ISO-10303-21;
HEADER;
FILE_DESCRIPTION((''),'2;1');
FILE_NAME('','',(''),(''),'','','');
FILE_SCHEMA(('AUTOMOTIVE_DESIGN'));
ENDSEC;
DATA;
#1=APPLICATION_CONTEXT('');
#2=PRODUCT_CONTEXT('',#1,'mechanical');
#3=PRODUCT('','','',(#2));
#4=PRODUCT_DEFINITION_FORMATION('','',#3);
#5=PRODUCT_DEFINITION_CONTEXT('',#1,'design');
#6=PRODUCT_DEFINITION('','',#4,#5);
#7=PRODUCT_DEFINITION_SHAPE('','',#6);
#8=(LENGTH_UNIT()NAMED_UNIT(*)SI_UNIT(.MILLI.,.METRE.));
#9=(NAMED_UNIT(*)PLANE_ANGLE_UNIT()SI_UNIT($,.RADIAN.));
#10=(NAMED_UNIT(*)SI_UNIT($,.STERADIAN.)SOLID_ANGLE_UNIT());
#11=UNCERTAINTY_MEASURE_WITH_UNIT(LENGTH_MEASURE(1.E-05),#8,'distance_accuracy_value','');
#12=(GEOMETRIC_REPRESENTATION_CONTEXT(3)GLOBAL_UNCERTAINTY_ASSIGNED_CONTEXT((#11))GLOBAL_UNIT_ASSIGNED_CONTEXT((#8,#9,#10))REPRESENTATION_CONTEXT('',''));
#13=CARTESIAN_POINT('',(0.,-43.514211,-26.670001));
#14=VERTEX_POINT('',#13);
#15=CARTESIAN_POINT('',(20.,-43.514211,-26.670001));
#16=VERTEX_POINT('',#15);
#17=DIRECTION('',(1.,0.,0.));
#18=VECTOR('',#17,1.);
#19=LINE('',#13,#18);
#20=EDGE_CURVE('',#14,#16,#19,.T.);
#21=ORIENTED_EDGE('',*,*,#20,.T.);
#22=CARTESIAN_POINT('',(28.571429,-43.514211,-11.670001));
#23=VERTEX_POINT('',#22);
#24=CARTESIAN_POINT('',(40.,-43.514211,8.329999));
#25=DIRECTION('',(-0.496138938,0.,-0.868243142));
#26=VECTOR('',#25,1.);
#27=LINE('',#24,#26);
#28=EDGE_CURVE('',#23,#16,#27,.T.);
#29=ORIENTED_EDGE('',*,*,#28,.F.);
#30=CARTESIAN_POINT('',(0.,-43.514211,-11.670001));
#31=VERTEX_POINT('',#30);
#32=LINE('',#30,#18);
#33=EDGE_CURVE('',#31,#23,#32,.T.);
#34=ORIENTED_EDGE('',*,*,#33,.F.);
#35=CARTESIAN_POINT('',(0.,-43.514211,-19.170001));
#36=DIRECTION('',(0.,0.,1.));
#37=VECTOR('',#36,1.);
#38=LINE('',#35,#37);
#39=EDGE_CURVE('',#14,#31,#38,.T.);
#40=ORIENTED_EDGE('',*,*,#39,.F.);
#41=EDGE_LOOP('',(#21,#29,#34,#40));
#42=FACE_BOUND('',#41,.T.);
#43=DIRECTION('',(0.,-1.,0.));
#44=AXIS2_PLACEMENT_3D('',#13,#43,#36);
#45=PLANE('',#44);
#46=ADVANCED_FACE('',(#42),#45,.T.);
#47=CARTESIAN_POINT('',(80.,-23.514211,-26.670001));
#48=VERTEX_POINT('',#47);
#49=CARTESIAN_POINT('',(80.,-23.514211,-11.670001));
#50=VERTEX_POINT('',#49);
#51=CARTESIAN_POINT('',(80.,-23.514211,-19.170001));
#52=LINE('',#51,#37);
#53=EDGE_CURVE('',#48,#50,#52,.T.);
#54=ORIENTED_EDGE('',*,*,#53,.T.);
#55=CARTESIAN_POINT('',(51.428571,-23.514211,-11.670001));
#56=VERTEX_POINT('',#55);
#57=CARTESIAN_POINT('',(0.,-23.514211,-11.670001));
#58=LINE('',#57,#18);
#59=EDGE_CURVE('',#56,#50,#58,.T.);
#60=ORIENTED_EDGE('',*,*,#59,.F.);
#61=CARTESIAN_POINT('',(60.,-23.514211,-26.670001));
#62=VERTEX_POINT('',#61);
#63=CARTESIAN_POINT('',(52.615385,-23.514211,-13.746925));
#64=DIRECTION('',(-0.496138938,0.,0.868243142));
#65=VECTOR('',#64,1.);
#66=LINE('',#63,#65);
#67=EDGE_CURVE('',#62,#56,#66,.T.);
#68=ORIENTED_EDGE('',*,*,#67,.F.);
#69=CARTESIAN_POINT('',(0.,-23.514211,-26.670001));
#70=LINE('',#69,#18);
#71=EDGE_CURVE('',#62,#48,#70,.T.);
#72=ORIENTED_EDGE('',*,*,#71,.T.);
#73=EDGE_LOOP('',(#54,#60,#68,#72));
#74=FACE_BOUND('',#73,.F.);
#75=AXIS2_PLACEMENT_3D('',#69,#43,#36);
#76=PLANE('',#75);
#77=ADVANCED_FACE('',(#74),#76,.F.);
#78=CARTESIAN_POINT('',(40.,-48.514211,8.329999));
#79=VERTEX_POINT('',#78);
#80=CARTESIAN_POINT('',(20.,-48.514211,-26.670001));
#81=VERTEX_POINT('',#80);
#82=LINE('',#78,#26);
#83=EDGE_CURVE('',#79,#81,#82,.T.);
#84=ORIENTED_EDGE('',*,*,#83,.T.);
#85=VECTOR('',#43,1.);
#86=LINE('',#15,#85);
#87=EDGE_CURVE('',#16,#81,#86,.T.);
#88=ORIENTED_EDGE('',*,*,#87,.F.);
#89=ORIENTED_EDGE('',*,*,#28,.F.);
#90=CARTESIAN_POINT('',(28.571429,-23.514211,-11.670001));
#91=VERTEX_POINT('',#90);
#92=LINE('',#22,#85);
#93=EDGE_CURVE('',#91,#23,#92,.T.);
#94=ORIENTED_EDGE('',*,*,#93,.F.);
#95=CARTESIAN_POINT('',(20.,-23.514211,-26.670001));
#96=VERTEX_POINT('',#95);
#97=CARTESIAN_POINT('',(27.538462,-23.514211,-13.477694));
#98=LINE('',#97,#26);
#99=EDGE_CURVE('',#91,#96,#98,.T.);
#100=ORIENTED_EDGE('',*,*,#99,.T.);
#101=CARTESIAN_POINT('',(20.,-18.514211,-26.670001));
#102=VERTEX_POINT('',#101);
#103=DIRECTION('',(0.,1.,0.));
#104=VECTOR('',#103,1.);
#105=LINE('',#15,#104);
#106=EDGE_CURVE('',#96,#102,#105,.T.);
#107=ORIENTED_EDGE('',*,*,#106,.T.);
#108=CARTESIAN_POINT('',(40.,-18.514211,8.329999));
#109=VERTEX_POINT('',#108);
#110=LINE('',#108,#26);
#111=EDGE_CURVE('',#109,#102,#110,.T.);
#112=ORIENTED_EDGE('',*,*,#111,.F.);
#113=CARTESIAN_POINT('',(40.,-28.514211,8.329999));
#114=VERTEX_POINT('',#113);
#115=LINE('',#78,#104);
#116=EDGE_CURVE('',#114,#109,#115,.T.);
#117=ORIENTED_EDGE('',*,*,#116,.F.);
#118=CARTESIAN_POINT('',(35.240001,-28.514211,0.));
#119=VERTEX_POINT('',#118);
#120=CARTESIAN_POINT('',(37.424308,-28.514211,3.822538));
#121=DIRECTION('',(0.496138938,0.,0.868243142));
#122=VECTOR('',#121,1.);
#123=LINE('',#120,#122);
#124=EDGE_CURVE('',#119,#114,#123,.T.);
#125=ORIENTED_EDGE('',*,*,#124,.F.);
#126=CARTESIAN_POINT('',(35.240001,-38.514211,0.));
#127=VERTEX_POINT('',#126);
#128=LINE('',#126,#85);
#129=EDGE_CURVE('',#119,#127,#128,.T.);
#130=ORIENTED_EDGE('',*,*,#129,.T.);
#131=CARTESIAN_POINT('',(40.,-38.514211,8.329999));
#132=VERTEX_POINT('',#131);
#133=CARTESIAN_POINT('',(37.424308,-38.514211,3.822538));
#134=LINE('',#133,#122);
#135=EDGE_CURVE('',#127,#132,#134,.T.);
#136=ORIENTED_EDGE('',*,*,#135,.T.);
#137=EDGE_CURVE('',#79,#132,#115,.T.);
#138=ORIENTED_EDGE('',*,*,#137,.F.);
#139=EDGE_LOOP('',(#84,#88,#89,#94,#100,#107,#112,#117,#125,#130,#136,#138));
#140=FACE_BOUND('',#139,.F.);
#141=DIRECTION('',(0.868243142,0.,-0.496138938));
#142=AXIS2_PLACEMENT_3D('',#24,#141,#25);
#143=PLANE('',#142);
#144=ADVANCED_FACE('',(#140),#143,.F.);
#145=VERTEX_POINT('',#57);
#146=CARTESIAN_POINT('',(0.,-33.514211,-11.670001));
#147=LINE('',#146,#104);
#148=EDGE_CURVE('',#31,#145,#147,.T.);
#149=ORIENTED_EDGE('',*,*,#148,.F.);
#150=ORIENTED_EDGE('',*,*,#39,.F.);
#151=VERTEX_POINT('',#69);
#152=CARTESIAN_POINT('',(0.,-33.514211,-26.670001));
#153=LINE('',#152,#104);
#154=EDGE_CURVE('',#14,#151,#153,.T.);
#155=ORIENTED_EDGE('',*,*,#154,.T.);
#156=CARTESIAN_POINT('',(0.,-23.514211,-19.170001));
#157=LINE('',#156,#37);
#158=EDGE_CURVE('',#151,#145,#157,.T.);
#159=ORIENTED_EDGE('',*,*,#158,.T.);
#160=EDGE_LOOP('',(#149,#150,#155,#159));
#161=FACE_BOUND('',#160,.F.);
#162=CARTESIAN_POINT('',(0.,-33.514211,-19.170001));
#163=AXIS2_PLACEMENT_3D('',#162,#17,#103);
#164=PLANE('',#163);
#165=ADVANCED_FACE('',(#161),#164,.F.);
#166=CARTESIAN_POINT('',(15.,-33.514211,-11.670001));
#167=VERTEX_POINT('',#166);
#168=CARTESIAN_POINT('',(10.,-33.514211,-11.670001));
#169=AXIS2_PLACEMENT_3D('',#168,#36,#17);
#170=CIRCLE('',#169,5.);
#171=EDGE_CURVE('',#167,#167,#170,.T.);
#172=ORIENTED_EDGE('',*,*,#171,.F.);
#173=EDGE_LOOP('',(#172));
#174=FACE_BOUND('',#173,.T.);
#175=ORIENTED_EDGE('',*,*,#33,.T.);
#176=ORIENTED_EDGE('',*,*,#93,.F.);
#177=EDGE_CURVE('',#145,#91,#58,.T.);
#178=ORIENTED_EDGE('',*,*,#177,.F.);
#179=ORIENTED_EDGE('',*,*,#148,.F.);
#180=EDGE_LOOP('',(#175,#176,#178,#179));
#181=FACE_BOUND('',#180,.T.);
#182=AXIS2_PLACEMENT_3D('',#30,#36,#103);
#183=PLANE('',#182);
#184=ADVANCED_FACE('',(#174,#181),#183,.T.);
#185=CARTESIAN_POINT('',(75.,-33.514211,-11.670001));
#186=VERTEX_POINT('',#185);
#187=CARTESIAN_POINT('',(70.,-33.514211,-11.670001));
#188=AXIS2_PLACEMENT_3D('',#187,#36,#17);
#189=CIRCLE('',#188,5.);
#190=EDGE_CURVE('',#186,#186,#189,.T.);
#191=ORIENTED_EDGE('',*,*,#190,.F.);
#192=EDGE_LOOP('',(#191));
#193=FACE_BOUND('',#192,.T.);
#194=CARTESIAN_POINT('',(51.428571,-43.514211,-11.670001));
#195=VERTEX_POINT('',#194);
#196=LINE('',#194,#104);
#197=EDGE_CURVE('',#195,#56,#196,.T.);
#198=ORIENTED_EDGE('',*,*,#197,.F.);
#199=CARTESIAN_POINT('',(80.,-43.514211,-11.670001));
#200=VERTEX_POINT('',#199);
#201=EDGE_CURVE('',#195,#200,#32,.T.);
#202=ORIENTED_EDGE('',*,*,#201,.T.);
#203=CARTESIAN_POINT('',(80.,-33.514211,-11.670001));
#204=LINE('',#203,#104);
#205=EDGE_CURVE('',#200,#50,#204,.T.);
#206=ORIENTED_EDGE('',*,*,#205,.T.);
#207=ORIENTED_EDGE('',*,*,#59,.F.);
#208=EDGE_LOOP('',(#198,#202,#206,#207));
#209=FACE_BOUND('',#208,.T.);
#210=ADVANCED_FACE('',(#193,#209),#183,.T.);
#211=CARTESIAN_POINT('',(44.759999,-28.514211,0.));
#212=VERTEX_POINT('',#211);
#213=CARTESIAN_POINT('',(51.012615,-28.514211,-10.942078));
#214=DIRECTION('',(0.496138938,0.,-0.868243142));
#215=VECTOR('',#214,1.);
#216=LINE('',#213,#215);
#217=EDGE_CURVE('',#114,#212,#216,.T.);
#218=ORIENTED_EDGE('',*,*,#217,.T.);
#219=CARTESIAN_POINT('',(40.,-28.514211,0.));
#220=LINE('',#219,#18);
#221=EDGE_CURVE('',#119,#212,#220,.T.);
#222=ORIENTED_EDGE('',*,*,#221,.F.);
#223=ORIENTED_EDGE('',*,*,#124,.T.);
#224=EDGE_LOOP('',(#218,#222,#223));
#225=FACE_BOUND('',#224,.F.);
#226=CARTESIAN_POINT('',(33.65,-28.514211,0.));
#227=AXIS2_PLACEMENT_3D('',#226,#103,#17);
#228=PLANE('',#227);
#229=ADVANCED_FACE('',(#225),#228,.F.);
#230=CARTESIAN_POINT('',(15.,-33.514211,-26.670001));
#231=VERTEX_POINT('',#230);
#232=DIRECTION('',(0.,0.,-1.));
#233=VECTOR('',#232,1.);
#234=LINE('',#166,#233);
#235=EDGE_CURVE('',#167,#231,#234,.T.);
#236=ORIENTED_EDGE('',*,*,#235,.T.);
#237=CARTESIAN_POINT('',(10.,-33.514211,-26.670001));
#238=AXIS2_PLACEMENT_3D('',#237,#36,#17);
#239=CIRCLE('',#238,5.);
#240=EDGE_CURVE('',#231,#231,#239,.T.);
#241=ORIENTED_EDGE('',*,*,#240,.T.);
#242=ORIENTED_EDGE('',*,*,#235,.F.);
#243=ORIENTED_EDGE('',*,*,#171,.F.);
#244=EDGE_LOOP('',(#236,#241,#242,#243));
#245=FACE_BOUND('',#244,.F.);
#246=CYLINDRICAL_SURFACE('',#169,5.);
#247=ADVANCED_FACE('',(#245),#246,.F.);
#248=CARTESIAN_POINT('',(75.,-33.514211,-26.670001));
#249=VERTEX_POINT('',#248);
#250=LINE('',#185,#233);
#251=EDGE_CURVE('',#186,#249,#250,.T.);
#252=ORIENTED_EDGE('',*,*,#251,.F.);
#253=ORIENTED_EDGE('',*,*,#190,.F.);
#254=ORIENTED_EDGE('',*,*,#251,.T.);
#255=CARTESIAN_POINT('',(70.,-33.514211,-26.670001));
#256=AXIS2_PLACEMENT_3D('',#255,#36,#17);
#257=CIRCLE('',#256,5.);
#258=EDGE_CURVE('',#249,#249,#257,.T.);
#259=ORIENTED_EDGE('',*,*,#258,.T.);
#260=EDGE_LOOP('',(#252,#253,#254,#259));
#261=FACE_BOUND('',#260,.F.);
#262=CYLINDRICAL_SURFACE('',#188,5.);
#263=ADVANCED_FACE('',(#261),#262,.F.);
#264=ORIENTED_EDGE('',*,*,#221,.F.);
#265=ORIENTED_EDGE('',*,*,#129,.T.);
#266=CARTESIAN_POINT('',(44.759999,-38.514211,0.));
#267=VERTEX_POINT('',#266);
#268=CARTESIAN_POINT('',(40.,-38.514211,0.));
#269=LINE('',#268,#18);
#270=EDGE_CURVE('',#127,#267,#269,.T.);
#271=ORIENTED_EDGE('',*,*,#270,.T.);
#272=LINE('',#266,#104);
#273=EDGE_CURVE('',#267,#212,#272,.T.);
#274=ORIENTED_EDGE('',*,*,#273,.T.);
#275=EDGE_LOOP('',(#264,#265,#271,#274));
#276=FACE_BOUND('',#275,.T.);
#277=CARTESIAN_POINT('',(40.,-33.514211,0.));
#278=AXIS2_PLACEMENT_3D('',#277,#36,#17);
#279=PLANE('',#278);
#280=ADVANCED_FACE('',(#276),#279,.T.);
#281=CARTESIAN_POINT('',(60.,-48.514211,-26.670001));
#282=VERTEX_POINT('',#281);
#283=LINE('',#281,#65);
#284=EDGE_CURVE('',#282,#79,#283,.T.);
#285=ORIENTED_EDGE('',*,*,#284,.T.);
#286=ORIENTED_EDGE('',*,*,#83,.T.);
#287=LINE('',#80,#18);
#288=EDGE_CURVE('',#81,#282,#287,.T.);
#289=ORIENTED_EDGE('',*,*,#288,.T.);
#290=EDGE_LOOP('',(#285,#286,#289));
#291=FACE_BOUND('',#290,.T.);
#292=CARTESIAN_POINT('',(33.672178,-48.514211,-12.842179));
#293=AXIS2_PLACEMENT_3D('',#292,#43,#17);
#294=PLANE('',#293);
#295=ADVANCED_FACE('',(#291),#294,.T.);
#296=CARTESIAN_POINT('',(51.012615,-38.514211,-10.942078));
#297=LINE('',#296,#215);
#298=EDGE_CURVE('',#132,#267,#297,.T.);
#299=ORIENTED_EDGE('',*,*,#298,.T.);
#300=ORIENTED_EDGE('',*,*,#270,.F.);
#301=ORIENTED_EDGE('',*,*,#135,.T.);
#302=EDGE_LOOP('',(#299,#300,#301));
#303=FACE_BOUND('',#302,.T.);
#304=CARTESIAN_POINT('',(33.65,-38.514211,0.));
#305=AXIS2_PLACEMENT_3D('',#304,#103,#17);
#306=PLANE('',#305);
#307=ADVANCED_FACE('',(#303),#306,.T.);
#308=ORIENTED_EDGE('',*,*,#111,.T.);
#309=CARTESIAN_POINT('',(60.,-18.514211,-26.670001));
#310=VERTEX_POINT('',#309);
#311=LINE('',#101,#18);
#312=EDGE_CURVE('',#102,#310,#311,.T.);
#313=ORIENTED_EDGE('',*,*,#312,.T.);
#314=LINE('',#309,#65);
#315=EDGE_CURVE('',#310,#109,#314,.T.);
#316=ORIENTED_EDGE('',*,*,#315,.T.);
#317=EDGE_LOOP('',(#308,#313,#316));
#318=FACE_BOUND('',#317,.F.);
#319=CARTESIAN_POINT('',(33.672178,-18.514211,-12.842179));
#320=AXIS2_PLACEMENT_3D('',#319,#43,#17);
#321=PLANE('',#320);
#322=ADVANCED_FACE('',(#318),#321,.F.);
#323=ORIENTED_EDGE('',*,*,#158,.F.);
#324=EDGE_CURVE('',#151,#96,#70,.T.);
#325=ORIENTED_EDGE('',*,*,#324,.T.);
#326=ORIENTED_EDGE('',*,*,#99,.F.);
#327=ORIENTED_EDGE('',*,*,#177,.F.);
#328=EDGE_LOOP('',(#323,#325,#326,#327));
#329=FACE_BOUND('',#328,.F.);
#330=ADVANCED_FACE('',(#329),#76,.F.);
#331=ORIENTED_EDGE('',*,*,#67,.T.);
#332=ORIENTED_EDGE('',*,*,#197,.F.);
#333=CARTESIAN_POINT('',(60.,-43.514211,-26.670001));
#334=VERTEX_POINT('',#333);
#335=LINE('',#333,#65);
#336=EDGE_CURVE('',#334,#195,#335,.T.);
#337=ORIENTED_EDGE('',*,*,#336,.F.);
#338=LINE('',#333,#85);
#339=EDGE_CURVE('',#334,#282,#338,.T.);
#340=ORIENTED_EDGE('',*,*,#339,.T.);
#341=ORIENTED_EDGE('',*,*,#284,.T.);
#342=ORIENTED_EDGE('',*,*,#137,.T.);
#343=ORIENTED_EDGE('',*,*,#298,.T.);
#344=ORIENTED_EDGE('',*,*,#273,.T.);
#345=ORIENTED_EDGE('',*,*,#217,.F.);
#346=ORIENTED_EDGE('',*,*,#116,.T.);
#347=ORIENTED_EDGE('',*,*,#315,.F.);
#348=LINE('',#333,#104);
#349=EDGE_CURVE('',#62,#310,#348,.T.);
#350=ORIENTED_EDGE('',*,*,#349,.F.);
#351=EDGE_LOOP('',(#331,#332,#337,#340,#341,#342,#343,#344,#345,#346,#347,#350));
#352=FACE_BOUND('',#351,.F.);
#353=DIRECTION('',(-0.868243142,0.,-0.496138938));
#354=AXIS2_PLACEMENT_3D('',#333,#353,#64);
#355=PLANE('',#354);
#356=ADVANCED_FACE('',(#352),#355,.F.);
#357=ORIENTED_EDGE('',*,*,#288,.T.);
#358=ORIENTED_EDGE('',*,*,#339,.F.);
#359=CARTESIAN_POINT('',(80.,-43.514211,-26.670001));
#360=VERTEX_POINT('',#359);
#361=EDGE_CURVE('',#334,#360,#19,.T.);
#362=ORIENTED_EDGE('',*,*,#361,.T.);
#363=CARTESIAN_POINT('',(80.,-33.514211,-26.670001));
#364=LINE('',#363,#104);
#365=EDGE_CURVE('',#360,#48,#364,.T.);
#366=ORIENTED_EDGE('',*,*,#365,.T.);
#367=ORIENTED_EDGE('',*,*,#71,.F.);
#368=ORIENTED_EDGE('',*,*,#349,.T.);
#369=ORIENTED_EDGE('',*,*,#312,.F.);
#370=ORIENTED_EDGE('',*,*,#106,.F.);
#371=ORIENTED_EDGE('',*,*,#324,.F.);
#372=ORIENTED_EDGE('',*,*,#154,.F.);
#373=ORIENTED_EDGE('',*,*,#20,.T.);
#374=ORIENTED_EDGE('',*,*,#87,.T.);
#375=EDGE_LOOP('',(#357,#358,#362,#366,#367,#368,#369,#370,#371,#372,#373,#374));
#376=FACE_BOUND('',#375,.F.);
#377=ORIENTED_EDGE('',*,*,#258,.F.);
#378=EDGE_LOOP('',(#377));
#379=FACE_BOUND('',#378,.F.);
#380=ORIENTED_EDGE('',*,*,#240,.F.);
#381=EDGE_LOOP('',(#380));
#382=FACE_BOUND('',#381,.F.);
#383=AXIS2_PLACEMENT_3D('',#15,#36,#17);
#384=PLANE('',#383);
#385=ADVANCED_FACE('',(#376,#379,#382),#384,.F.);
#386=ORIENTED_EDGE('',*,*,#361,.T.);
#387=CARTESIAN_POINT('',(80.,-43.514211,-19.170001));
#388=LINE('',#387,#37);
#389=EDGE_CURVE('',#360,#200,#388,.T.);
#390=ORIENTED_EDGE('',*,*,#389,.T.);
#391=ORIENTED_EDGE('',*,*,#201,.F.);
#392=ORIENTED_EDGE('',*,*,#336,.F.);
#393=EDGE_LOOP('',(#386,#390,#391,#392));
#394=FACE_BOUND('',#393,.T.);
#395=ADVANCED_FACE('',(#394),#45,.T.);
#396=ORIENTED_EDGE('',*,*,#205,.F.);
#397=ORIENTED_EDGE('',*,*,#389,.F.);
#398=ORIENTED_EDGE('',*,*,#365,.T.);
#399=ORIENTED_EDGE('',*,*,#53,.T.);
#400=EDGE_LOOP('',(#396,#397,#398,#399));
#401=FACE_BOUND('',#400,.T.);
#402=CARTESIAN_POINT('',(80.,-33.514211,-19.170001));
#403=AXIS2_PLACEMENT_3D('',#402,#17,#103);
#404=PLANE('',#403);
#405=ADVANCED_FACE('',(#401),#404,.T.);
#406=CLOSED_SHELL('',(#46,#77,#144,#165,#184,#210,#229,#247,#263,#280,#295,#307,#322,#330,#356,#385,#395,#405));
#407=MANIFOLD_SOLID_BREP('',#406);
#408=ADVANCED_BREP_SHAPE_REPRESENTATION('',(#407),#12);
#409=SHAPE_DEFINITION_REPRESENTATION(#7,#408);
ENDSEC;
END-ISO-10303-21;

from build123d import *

# Parameters (mm, degrees)
F0_W          = 20
F0_H          = 15
F1_DEPTH      = 80
F3_DEPTH      = 25
F3_DEPTH_BACK = 5
F4_W          = 12.7
F4_H          = 10
F5_DEPTH      = 8.382
F6_R          = 5
F7_DEPTH      = 25.4


with BuildPart() as f1:
    # F0 (on Right) → F1 (new body)
    with BuildSketch(Plane.YZ):
        with Locations((-33.5142107308, -19.1700014472)):
            Rectangle(F0_W, F0_H)
    extrude(amount=F1_DEPTH)

    # F2 (on face) → F3 (join, two sides)
    with BuildSketch(Plane.XZ.offset(43.5142107308)) as f3_sk:
        Polygon((20, -26.6700014472), (40, -26.6700014472), (40, 8.3299985528), align=None)
        Polygon((40, 8.3299985528), (40, -26.6700014472), (60, -26.6700014472), align=None)
    extrude(amount=-F3_DEPTH)
    extrude(f3_sk.sketch, amount=F3_DEPTH_BACK)

    # F4 (on Top) → F5 (cut)
    with BuildSketch(Plane.XY):
        with Locations((40, -33.5142107308)):
            Rectangle(F4_W, F4_H)
    extrude(amount=F5_DEPTH, mode=Mode.SUBTRACT)

    # F6 (on face) → F7 (cut)
    with BuildSketch(Plane.XY.offset(-11.6700014472)):
        with Locations((10, -33.5142107308)):
            Circle(F6_R)
        with Locations((70, -33.5142107308)):
            Circle(F6_R)
    extrude(amount=-F7_DEPTH, mode=Mode.SUBTRACT)


solid = f1.part
